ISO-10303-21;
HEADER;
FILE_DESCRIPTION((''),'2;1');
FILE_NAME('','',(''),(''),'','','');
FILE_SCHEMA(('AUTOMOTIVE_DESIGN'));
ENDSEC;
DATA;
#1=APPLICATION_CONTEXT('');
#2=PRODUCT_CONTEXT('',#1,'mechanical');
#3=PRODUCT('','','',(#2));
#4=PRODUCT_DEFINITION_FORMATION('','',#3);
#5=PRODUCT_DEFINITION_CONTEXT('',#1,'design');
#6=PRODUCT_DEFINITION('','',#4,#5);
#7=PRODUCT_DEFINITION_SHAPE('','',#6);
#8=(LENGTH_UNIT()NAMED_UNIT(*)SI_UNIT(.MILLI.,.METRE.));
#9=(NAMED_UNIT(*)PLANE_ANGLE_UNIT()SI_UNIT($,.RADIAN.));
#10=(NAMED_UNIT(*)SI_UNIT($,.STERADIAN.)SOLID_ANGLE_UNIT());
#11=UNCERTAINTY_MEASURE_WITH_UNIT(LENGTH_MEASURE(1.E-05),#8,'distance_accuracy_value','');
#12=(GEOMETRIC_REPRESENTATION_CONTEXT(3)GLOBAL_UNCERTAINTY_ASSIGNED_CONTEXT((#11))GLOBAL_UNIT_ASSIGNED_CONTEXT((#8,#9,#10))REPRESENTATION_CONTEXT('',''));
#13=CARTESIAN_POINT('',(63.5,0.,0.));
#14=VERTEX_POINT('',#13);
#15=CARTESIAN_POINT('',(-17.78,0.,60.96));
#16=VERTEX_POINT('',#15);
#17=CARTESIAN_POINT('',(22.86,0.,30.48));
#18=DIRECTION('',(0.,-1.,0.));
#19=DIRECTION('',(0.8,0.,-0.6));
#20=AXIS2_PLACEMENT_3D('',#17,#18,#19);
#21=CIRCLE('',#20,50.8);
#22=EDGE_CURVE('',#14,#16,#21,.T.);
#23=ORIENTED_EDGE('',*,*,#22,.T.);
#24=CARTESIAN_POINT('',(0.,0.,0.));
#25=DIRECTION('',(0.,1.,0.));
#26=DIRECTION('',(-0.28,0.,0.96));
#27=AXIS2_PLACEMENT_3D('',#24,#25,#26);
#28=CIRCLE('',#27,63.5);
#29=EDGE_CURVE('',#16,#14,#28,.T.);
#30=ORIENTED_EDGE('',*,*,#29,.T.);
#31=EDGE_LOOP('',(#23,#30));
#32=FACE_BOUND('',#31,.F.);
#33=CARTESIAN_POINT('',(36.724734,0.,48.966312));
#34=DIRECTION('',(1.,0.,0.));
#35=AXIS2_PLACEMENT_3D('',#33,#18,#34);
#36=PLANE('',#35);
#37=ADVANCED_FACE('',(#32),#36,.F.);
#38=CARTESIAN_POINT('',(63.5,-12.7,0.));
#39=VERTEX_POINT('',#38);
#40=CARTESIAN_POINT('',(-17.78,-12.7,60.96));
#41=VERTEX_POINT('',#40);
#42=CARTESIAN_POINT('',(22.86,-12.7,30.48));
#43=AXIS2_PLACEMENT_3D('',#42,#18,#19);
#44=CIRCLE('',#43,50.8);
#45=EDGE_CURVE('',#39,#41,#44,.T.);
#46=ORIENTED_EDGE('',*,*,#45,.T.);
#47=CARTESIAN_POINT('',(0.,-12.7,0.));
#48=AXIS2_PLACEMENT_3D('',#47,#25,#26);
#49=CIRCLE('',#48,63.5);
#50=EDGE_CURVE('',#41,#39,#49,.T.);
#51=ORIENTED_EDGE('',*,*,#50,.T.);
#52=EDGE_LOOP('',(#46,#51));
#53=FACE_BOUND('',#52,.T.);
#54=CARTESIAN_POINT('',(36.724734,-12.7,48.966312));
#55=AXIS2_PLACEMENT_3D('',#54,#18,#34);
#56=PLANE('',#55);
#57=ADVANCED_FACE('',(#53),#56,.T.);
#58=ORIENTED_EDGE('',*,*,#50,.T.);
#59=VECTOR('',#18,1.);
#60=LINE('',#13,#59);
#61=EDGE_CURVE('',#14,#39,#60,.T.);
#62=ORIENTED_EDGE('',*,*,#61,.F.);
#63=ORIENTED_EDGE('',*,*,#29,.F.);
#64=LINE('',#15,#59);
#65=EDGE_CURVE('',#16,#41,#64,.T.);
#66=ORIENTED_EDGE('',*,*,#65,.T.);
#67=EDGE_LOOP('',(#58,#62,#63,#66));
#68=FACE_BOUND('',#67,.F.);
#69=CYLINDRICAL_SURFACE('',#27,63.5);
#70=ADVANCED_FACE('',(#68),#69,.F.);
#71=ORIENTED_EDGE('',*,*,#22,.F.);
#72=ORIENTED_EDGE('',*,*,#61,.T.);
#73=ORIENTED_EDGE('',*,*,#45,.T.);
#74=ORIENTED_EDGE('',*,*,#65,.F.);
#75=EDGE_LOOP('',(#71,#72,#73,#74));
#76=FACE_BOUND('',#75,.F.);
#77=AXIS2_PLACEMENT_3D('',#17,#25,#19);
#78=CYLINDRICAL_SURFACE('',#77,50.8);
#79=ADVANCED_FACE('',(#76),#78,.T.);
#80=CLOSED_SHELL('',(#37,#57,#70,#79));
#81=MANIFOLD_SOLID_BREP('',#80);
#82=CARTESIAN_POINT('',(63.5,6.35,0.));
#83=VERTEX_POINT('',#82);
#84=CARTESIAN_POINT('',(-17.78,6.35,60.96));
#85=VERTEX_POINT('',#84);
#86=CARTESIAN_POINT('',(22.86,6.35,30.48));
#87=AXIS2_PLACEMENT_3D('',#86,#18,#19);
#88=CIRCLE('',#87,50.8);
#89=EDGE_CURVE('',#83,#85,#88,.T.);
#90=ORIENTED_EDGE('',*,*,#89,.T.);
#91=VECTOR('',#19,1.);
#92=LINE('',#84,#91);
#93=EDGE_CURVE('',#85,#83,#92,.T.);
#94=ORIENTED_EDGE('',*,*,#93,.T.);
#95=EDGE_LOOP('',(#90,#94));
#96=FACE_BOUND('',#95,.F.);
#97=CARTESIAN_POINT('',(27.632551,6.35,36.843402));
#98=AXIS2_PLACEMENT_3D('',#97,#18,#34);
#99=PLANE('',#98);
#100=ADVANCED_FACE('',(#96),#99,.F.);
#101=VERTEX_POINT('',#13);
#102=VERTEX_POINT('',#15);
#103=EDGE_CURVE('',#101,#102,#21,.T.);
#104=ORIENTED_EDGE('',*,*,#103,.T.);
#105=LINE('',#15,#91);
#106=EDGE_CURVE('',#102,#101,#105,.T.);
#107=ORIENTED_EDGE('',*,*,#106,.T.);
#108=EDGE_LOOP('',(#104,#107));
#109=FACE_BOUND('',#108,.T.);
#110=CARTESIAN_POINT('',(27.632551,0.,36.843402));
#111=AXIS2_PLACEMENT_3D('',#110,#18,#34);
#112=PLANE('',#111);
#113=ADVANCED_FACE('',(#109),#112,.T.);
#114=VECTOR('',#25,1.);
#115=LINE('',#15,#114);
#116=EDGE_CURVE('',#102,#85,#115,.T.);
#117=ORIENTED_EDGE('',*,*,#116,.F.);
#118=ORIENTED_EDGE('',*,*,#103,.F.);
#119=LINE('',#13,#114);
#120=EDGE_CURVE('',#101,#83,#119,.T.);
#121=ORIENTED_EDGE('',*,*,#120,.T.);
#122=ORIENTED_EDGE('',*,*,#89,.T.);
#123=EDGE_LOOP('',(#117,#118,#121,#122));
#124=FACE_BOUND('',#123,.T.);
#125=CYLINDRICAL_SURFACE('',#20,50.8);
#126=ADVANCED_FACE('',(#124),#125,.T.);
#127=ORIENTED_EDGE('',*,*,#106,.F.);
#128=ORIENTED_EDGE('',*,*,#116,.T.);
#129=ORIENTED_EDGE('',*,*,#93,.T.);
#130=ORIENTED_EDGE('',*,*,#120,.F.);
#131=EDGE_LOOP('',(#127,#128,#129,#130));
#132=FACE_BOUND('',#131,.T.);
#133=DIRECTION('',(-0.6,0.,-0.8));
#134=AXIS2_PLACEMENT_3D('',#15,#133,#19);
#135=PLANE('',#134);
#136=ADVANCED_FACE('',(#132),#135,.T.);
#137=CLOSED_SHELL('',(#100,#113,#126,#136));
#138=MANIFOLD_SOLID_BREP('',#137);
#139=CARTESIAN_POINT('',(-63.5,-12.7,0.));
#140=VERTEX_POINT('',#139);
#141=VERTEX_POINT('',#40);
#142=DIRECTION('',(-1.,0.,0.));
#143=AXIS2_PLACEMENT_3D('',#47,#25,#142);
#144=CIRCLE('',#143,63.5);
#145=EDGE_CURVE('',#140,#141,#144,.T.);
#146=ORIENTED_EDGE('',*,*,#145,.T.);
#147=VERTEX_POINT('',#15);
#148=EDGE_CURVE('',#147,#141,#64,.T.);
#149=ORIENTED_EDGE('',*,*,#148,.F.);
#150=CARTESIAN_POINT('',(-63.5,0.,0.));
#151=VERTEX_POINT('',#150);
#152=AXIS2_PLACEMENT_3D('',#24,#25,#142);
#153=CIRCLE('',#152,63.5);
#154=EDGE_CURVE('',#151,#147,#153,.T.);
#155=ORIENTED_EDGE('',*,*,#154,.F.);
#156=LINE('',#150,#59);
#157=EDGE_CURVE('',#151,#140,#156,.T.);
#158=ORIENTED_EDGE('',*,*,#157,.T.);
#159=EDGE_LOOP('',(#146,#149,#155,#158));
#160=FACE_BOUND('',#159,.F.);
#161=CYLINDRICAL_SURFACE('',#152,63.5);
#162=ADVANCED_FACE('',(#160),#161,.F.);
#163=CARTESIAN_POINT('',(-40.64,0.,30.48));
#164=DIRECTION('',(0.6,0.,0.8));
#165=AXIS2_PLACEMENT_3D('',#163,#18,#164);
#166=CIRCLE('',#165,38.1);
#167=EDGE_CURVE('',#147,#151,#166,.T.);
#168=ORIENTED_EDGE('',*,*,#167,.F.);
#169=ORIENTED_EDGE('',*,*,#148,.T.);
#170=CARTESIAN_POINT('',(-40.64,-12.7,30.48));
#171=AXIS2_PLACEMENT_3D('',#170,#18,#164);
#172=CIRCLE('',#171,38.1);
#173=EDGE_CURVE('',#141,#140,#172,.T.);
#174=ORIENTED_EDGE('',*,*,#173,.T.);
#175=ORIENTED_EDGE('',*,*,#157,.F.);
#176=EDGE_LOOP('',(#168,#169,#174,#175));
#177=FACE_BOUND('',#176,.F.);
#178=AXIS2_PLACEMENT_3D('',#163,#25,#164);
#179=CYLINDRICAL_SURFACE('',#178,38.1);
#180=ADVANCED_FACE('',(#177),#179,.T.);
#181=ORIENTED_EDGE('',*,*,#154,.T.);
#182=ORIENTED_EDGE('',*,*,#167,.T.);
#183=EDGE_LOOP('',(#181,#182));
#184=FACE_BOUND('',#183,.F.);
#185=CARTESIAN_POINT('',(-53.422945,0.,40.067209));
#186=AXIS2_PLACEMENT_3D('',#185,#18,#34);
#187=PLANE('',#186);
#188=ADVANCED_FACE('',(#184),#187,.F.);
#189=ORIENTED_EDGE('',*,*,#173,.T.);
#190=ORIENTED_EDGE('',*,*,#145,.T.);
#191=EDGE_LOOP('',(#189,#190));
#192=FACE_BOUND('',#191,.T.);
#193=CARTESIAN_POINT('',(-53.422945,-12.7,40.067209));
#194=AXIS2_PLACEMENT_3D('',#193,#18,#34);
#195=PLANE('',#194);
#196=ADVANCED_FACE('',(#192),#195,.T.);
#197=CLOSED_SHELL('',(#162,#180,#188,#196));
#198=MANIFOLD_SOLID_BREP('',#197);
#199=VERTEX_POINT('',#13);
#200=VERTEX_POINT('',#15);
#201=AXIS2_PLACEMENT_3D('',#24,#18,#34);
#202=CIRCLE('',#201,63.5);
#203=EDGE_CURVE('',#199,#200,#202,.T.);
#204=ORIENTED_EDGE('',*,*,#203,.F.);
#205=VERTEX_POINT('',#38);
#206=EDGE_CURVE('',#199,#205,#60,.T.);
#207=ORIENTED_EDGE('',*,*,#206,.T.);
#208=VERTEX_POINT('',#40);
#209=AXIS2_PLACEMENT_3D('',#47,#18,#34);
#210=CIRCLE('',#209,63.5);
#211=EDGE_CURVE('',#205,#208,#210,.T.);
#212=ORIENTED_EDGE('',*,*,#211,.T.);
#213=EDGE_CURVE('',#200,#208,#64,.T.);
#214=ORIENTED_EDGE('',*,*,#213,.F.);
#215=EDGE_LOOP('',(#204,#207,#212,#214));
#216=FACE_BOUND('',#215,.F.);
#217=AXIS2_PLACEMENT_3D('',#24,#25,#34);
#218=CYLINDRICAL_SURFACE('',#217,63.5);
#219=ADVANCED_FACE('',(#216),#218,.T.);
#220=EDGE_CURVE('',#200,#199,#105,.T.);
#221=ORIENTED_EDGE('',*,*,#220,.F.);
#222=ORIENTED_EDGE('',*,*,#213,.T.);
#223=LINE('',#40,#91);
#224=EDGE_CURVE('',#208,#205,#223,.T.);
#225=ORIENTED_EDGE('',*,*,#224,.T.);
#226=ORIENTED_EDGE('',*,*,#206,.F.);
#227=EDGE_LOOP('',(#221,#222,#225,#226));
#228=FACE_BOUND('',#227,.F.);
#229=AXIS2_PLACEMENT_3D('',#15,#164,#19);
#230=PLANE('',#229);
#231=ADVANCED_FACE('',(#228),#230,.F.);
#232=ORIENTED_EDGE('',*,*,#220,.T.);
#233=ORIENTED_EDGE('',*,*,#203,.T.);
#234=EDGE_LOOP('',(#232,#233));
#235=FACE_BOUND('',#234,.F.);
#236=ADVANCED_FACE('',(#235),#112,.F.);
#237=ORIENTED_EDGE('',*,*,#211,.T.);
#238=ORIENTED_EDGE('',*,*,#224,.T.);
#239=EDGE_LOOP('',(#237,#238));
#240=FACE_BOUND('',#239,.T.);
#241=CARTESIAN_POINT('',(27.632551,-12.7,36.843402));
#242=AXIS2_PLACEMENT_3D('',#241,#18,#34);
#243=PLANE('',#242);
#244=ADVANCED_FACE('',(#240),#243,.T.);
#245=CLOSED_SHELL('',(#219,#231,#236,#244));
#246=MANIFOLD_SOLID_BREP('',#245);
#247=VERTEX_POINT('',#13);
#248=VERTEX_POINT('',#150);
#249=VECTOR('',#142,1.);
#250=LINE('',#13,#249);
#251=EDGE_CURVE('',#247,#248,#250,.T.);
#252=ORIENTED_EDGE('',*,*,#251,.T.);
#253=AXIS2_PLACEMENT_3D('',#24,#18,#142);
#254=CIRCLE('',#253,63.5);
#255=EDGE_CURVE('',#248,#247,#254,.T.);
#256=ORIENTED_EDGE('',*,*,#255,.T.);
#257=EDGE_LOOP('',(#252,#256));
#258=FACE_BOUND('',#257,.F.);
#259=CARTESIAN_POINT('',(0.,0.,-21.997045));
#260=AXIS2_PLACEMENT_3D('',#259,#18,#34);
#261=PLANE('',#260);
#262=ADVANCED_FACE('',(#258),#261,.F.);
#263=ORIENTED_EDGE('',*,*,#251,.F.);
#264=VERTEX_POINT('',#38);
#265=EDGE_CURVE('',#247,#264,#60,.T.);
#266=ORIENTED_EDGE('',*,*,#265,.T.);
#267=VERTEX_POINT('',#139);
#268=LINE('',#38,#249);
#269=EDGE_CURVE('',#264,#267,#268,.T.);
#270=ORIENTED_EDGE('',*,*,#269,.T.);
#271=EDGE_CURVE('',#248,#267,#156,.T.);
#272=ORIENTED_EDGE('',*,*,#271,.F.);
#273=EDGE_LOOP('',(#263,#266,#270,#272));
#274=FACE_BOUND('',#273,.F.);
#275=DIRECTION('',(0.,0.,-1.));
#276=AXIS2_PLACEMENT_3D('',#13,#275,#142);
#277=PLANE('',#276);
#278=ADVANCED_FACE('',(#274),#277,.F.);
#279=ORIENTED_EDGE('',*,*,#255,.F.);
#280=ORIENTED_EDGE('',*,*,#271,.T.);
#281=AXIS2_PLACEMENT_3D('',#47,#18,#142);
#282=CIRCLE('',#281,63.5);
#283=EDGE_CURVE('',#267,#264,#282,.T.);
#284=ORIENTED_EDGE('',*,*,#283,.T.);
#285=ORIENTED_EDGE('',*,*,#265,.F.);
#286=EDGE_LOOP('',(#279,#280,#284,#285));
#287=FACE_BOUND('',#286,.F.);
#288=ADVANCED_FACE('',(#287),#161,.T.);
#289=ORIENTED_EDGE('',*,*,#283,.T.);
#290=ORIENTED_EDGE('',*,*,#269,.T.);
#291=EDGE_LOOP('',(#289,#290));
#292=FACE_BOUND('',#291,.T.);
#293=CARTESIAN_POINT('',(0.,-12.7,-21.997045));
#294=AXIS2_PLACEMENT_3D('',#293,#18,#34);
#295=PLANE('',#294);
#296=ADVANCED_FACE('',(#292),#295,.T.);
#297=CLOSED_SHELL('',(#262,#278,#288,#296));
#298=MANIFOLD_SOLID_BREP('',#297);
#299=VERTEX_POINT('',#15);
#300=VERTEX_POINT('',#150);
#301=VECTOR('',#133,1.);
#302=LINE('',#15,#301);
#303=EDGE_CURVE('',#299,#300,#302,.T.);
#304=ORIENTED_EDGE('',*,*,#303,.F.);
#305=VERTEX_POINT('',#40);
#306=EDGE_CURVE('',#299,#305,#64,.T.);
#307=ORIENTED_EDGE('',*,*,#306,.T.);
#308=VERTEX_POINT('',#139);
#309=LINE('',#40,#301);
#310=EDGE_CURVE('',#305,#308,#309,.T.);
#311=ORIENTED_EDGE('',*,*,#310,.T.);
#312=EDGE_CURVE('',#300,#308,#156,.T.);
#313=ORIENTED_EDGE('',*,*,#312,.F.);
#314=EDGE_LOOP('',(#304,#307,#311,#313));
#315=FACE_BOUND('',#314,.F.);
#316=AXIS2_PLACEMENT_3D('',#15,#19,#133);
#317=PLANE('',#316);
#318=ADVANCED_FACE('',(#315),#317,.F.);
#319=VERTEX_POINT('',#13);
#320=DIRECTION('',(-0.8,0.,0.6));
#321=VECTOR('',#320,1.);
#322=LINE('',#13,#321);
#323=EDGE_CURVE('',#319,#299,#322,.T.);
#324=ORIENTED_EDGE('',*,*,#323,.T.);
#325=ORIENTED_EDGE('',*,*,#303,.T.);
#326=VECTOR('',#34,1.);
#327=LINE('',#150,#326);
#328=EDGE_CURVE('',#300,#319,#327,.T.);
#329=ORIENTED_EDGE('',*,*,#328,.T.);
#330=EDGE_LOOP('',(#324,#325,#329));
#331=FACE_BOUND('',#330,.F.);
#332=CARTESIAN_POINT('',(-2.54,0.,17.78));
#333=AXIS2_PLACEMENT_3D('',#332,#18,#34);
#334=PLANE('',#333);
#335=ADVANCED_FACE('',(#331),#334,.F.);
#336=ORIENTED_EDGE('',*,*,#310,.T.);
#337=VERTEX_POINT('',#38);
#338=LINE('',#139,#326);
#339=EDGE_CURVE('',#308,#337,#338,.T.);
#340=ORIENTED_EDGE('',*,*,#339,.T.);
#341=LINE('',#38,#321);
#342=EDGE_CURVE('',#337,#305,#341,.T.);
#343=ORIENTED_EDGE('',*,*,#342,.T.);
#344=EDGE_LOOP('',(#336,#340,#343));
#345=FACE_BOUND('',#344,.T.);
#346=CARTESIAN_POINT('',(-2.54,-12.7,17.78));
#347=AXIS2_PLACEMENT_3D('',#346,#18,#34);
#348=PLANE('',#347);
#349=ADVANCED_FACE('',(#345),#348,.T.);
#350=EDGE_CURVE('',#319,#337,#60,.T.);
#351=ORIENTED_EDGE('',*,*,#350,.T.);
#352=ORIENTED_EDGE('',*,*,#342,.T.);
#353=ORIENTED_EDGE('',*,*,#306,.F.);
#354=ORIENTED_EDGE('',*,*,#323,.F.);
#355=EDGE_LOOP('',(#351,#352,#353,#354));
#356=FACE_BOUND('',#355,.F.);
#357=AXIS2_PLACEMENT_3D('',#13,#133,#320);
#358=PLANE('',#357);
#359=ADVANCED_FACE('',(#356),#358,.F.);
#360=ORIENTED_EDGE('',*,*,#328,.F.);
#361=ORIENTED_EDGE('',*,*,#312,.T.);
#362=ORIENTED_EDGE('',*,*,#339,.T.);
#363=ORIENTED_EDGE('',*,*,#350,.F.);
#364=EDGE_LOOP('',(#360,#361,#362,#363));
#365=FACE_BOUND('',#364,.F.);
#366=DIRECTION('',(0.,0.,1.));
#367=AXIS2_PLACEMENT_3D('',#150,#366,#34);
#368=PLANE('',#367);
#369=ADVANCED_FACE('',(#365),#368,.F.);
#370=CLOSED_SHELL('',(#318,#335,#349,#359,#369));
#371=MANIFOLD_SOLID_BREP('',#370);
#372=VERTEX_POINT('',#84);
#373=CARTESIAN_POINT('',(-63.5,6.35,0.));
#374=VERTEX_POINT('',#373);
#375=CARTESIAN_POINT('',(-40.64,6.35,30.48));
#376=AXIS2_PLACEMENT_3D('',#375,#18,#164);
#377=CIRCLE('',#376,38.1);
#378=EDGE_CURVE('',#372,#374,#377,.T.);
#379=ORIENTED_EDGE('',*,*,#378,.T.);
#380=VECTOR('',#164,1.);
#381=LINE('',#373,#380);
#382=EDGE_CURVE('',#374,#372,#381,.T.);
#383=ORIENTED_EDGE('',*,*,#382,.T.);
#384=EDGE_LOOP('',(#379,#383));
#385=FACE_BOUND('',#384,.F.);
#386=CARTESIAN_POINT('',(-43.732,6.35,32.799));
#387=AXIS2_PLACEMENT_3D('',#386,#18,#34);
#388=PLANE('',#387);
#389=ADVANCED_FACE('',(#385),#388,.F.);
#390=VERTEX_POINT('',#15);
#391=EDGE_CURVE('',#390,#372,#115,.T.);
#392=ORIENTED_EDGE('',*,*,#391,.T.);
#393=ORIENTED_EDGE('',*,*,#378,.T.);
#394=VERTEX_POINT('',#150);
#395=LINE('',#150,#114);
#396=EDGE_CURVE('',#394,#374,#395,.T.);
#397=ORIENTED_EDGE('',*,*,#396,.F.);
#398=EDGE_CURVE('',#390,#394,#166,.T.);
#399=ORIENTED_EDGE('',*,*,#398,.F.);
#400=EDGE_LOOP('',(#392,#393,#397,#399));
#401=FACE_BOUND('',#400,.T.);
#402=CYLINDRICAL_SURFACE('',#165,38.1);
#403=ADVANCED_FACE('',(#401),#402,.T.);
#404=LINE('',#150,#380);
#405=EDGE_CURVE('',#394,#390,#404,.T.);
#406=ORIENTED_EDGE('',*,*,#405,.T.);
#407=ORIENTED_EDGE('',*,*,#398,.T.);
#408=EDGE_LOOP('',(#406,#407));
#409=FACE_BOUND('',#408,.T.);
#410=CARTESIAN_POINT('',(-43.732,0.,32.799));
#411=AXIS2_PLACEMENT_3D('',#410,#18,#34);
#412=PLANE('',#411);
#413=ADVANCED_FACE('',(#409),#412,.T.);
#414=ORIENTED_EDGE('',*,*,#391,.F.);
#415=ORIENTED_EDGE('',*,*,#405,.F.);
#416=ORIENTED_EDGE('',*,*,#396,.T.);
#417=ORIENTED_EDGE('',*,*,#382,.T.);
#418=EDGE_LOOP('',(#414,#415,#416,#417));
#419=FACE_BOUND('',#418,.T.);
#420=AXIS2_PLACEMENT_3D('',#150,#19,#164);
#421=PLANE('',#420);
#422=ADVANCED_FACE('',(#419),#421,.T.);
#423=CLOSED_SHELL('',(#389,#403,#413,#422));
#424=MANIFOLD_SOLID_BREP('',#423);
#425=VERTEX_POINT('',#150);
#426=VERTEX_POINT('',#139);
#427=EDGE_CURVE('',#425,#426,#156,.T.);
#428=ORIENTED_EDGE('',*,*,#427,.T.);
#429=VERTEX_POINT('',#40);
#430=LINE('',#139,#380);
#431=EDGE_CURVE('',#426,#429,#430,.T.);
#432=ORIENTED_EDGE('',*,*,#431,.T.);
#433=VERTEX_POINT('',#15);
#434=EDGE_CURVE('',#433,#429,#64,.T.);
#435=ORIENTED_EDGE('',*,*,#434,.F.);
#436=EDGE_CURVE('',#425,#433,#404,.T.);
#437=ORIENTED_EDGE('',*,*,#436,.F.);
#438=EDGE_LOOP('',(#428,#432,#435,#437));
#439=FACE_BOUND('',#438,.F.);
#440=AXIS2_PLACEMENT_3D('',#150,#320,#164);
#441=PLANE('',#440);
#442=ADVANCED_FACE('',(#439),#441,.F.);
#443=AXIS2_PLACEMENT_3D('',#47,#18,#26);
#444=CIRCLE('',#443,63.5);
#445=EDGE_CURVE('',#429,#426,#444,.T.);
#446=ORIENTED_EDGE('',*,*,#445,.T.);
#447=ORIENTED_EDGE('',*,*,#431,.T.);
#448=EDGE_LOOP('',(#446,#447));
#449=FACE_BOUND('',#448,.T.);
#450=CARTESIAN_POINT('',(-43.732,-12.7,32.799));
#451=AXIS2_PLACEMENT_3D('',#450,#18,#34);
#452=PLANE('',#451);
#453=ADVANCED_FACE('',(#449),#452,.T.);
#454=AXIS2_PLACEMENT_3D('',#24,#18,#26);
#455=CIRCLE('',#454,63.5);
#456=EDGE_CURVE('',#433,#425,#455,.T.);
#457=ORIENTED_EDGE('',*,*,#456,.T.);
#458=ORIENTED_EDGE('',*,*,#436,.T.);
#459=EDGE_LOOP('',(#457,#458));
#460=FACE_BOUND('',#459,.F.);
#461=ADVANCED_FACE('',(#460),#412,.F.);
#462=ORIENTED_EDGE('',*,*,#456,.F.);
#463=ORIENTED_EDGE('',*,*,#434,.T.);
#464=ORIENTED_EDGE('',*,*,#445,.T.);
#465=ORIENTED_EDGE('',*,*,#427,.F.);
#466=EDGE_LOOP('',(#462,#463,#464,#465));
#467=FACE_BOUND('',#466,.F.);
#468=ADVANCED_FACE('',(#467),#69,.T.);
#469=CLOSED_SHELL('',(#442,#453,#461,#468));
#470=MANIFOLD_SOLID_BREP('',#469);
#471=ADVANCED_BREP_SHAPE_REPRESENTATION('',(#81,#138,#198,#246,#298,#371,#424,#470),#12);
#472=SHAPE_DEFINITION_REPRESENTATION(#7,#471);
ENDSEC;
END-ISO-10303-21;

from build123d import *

# Parameters (mm, degrees)
F1_DEPTH = 12.7
F2_DEPTH = 12.7
F3_DEPTH = 6.35


with BuildPart() as f1:
    # F0 (on Front) → F1 (new body)
    with BuildSketch(Plane.XZ):
        Polygon((-63.5, 0), (63.5, 0), (-17.78, 60.96), align=None)
        with BuildLine():
            ThreePointArc((-17.78, 60.96), (38.1, 50.8), (63.5, 0))
            ThreePointArc((63.5, 0), (53.34, 71.12), (-17.78, 60.96))
        make_face()
        with BuildLine():
            ThreePointArc((-63.5, 0), (-50.8, 38.1), (-17.78, 60.96))
            ThreePointArc((-17.78, 60.96), (-71.12, 53.34), (-63.5, 0))
        make_face()
    extrude(amount=F1_DEPTH)


with BuildPart() as f2:
    # F0 (on Front) → F2 (new body)
    with BuildSketch(Plane.XZ):
        with BuildLine():
            ThreePointArc((-63.5, 0), (0, -63.5), (63.5, 0))
            Line((63.5, 0), (-63.5, 0))
        make_face()
        with BuildLine():
            Line((-17.78, 60.96), (63.5, 0))
            ThreePointArc((63.5, 0), (38.1, 50.8), (-17.78, 60.96))
        make_face()
        with BuildLine():
            Line((-63.5, 0), (-17.78, 60.96))
            ThreePointArc((-17.78, 60.96), (-50.8, 38.1), (-63.5, 0))
        make_face()
    extrude(amount=F2_DEPTH)


with BuildPart() as f3:
    # F0 (on Front) → F3 (new body)
    with BuildSketch(Plane.XZ):
        with BuildLine():
            Line((-63.5, 0), (-17.78, 60.96))
            ThreePointArc((-17.78, 60.96), (-50.8, 38.1), (-63.5, 0))
        make_face()
        with BuildLine():
            ThreePointArc((-63.5, 0), (-50.8, 38.1), (-17.78, 60.96))
            ThreePointArc((-17.78, 60.96), (-71.12, 53.34), (-63.5, 0))
        make_face()
        with BuildLine():
            Line((-17.78, 60.96), (63.5, 0))
            ThreePointArc((63.5, 0), (38.1, 50.8), (-17.78, 60.96))
        make_face()
        with BuildLine():
            ThreePointArc((-17.78, 60.96), (38.1, 50.8), (63.5, 0))
            ThreePointArc((63.5, 0), (53.34, 71.12), (-17.78, 60.96))
        make_face()
    extrude(amount=-F3_DEPTH)


solid = Compound([f1.part, f2.part, f3.part])
